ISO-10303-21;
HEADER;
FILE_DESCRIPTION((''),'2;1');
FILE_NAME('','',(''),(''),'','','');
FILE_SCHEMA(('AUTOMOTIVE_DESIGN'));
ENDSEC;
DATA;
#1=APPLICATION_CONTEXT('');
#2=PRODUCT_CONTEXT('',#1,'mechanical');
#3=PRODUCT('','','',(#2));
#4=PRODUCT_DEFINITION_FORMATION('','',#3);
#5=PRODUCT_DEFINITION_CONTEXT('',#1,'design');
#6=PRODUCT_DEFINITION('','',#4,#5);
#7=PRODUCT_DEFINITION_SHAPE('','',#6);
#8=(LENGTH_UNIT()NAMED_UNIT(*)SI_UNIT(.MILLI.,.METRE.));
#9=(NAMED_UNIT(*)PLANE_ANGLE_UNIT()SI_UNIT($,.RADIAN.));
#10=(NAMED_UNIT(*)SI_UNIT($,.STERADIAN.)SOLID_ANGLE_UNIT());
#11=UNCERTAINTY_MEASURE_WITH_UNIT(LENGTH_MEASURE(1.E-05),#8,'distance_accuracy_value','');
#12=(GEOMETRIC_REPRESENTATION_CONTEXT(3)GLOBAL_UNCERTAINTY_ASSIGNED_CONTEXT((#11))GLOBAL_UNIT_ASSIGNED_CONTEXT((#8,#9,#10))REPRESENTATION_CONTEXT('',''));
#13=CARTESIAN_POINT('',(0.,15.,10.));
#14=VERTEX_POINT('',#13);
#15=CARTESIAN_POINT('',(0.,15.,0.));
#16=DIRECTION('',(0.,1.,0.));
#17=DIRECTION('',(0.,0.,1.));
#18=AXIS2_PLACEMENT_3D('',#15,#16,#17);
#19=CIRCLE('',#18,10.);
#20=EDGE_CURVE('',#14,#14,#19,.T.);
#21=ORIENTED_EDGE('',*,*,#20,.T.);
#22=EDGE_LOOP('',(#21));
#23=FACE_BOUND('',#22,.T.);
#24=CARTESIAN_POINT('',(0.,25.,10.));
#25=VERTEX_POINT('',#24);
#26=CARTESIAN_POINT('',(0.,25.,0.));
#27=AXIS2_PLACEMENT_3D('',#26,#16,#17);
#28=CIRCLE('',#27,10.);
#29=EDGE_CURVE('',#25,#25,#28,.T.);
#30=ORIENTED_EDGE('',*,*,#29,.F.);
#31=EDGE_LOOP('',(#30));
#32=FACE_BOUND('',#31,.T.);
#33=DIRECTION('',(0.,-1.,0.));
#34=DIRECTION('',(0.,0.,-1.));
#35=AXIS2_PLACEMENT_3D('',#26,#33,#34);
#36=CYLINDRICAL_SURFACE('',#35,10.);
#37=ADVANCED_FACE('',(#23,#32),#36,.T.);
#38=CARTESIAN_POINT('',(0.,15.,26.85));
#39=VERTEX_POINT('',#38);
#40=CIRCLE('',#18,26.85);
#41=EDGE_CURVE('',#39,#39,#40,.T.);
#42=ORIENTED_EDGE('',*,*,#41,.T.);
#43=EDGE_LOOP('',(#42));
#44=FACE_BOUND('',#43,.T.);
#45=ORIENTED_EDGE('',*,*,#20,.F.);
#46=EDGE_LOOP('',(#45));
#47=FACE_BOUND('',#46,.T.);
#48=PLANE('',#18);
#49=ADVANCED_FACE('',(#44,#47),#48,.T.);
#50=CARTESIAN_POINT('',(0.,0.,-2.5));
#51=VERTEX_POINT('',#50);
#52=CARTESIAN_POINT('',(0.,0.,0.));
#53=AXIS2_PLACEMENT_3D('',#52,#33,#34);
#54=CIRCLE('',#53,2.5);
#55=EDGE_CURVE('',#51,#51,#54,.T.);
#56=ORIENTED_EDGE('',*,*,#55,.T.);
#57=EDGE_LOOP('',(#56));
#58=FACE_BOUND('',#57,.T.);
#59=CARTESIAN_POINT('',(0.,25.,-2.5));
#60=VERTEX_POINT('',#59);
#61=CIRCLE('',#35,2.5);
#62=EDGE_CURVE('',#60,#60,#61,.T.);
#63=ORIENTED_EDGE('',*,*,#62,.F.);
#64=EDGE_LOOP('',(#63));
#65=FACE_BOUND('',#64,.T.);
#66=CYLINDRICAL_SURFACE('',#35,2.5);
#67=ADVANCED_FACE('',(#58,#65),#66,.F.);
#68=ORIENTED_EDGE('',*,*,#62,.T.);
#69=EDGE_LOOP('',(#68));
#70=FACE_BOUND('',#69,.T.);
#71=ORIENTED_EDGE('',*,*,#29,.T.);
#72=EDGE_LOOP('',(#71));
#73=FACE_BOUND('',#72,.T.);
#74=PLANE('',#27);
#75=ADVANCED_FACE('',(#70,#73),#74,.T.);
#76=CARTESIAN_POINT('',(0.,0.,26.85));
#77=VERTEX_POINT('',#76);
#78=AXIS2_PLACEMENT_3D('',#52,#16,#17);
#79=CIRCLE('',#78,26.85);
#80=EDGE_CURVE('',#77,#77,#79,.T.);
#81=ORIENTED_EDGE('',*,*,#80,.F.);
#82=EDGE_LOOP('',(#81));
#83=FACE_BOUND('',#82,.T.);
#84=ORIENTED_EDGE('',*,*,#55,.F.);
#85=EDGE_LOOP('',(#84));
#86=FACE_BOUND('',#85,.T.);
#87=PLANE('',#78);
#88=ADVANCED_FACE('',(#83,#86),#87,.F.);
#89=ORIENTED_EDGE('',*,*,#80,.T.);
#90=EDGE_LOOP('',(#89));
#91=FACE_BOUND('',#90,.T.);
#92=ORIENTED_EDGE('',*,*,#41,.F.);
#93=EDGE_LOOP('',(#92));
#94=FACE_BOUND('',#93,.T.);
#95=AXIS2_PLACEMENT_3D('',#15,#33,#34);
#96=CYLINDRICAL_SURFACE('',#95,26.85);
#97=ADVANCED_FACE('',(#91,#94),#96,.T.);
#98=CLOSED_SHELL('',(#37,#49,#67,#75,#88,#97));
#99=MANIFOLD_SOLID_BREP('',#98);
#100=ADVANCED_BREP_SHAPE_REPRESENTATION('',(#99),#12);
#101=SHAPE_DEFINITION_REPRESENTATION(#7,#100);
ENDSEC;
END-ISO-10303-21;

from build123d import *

# Parameters (mm, degrees)
SKETCH_1_R          = 26.85
EXTRUDE_1_DEPTH     = 15
SKETCH_3_R          = 10
EXTRUDE_2_DEPTH     = 10
SKETCH_2_R          = 2.5
CUT_EXTRUDE_1_DEPTH = 46.462567019


with BuildPart() as part:
    # 스케치1 → 보스-돌출1 (new body)
    with BuildSketch(Plane(origin=(0, 0, 0), x_dir=(1, 0, 0), z_dir=(0, 1, 0))):
        with Locations(Location((0, 0, 0), (0, 0, 270))):
            Circle(SKETCH_1_R)
    extrude(amount=EXTRUDE_1_DEPTH)

    # 스케치3 → 보스-돌출2 (add)
    with BuildSketch(Plane(origin=(0, 15, 0), x_dir=(1, 0, 0), z_dir=(0, 1, 0))):
        with Locations(Location((0, 0, 0), (0, 0, 270))):
            Circle(SKETCH_3_R)
    extrude(amount=EXTRUDE_2_DEPTH)

    # 스케치2 → 컷-돌출1 (cut, through all)
    with BuildSketch(Plane.XZ):
        with Locations(Location((0, 0, 0), (0, 0, 270))):
            Circle(SKETCH_2_R)
    extrude(amount=-CUT_EXTRUDE_1_DEPTH, mode=Mode.SUBTRACT)


solid = part.part
